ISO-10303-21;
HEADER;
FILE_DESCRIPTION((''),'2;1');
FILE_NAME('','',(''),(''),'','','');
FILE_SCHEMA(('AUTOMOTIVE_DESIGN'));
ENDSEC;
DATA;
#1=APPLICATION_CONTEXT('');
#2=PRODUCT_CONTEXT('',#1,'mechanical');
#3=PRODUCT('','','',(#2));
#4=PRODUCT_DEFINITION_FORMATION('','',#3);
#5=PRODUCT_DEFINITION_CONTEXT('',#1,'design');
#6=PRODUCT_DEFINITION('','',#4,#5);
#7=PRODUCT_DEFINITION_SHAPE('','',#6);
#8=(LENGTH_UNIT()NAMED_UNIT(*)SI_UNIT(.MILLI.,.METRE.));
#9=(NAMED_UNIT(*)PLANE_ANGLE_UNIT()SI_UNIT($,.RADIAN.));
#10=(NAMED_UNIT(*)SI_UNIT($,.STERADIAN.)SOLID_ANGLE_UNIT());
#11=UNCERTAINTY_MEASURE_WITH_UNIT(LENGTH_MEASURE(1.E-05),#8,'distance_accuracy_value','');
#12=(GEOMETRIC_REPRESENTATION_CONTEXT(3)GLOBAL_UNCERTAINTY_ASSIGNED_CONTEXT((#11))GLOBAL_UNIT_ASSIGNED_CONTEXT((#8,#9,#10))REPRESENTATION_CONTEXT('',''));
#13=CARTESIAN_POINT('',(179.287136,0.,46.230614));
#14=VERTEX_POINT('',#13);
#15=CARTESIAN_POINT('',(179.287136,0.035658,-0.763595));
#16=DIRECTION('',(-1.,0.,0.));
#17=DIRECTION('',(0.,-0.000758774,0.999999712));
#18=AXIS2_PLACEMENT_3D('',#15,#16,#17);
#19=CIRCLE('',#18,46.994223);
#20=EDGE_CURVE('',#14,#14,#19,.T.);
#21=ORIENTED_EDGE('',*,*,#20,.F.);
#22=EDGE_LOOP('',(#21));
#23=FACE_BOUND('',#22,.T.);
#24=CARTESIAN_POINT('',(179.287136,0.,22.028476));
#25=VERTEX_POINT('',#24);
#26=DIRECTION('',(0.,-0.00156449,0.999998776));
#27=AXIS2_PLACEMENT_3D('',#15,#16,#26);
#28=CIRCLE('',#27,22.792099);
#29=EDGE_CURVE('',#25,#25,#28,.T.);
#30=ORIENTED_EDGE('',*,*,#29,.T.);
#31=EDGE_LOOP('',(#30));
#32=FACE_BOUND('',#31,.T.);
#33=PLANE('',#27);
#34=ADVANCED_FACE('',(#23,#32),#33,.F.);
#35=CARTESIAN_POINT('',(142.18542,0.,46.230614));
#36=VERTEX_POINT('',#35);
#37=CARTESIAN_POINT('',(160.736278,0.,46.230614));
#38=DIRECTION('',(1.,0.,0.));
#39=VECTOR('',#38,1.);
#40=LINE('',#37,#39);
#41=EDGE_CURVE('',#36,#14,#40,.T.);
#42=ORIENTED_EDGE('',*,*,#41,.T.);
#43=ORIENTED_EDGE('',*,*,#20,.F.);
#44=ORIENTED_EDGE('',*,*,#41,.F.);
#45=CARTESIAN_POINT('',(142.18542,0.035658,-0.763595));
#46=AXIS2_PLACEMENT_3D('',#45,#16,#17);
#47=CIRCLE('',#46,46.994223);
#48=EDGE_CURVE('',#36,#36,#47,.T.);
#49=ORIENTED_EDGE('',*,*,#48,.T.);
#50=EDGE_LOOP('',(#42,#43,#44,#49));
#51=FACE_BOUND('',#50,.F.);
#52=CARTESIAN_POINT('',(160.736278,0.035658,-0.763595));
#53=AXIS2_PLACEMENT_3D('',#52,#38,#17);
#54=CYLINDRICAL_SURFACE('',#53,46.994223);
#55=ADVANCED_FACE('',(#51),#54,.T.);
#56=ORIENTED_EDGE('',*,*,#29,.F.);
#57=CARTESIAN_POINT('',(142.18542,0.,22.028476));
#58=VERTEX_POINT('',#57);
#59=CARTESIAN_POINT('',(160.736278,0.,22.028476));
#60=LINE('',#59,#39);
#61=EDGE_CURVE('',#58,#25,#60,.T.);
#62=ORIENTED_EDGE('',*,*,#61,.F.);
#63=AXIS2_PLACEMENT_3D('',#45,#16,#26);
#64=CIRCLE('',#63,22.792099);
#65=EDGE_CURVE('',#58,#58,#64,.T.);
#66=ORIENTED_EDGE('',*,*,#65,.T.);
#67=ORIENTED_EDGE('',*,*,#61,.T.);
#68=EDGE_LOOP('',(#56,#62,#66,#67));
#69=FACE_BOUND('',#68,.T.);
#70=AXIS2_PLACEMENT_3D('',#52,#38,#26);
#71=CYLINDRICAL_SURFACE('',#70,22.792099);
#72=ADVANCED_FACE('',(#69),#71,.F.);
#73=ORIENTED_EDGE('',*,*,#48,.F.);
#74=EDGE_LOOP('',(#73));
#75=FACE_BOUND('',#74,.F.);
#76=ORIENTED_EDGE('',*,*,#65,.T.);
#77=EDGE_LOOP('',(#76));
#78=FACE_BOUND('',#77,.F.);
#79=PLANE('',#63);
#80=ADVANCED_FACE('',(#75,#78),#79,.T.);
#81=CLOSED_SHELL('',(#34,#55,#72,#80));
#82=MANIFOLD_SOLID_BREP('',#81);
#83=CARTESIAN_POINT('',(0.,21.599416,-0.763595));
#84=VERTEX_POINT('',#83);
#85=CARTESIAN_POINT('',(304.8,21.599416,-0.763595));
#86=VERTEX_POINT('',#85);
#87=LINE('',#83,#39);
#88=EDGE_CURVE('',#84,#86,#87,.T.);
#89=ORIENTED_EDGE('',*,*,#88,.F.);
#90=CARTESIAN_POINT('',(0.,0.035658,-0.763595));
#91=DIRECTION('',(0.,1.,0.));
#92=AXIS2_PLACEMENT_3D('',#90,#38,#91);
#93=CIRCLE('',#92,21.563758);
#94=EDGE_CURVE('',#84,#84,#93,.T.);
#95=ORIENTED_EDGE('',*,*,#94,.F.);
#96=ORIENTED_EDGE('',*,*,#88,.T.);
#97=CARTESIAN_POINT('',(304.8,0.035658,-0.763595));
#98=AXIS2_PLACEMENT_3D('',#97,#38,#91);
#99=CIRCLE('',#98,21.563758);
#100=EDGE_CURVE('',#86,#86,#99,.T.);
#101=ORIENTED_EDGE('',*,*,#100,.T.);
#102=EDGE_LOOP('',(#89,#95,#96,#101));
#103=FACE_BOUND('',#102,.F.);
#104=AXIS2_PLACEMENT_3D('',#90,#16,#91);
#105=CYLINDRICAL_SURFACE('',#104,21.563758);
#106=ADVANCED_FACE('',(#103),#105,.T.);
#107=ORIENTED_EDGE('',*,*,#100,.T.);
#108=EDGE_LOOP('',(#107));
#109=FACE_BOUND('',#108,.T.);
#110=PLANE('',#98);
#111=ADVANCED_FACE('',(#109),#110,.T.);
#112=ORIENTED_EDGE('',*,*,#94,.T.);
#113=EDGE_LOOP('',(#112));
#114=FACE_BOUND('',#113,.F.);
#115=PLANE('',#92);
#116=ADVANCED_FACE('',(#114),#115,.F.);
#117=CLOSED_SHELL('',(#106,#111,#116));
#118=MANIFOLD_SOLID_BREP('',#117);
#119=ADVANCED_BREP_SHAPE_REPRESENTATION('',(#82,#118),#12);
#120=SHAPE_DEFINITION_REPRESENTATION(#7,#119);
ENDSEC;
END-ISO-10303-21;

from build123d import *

# Parameters (mm, degrees)
F0_R     = 21.563758
F1_DEPTH = 304.8
F2_W     = 37.101716
F2_H     = 24.202138


with BuildPart() as f1:
    # F0 (on Right) → F1 (new body)
    with BuildSketch(Plane.YZ):
        with Locations((0.035658, -0.763595)):
            Circle(F0_R)
    extrude(amount=F1_DEPTH)


with BuildPart() as f3:
    # F2 (on Front) → F3 (revolve)
    with BuildSketch(Plane.XZ):
        with Locations((160.736278, 34.129545)):
            Rectangle(F2_W, F2_H)
    revolve(axis=Axis((0, 0.035658, -0.763595), (-1, 0, 0)))


solid = Compound([f1.part, f3.part])
